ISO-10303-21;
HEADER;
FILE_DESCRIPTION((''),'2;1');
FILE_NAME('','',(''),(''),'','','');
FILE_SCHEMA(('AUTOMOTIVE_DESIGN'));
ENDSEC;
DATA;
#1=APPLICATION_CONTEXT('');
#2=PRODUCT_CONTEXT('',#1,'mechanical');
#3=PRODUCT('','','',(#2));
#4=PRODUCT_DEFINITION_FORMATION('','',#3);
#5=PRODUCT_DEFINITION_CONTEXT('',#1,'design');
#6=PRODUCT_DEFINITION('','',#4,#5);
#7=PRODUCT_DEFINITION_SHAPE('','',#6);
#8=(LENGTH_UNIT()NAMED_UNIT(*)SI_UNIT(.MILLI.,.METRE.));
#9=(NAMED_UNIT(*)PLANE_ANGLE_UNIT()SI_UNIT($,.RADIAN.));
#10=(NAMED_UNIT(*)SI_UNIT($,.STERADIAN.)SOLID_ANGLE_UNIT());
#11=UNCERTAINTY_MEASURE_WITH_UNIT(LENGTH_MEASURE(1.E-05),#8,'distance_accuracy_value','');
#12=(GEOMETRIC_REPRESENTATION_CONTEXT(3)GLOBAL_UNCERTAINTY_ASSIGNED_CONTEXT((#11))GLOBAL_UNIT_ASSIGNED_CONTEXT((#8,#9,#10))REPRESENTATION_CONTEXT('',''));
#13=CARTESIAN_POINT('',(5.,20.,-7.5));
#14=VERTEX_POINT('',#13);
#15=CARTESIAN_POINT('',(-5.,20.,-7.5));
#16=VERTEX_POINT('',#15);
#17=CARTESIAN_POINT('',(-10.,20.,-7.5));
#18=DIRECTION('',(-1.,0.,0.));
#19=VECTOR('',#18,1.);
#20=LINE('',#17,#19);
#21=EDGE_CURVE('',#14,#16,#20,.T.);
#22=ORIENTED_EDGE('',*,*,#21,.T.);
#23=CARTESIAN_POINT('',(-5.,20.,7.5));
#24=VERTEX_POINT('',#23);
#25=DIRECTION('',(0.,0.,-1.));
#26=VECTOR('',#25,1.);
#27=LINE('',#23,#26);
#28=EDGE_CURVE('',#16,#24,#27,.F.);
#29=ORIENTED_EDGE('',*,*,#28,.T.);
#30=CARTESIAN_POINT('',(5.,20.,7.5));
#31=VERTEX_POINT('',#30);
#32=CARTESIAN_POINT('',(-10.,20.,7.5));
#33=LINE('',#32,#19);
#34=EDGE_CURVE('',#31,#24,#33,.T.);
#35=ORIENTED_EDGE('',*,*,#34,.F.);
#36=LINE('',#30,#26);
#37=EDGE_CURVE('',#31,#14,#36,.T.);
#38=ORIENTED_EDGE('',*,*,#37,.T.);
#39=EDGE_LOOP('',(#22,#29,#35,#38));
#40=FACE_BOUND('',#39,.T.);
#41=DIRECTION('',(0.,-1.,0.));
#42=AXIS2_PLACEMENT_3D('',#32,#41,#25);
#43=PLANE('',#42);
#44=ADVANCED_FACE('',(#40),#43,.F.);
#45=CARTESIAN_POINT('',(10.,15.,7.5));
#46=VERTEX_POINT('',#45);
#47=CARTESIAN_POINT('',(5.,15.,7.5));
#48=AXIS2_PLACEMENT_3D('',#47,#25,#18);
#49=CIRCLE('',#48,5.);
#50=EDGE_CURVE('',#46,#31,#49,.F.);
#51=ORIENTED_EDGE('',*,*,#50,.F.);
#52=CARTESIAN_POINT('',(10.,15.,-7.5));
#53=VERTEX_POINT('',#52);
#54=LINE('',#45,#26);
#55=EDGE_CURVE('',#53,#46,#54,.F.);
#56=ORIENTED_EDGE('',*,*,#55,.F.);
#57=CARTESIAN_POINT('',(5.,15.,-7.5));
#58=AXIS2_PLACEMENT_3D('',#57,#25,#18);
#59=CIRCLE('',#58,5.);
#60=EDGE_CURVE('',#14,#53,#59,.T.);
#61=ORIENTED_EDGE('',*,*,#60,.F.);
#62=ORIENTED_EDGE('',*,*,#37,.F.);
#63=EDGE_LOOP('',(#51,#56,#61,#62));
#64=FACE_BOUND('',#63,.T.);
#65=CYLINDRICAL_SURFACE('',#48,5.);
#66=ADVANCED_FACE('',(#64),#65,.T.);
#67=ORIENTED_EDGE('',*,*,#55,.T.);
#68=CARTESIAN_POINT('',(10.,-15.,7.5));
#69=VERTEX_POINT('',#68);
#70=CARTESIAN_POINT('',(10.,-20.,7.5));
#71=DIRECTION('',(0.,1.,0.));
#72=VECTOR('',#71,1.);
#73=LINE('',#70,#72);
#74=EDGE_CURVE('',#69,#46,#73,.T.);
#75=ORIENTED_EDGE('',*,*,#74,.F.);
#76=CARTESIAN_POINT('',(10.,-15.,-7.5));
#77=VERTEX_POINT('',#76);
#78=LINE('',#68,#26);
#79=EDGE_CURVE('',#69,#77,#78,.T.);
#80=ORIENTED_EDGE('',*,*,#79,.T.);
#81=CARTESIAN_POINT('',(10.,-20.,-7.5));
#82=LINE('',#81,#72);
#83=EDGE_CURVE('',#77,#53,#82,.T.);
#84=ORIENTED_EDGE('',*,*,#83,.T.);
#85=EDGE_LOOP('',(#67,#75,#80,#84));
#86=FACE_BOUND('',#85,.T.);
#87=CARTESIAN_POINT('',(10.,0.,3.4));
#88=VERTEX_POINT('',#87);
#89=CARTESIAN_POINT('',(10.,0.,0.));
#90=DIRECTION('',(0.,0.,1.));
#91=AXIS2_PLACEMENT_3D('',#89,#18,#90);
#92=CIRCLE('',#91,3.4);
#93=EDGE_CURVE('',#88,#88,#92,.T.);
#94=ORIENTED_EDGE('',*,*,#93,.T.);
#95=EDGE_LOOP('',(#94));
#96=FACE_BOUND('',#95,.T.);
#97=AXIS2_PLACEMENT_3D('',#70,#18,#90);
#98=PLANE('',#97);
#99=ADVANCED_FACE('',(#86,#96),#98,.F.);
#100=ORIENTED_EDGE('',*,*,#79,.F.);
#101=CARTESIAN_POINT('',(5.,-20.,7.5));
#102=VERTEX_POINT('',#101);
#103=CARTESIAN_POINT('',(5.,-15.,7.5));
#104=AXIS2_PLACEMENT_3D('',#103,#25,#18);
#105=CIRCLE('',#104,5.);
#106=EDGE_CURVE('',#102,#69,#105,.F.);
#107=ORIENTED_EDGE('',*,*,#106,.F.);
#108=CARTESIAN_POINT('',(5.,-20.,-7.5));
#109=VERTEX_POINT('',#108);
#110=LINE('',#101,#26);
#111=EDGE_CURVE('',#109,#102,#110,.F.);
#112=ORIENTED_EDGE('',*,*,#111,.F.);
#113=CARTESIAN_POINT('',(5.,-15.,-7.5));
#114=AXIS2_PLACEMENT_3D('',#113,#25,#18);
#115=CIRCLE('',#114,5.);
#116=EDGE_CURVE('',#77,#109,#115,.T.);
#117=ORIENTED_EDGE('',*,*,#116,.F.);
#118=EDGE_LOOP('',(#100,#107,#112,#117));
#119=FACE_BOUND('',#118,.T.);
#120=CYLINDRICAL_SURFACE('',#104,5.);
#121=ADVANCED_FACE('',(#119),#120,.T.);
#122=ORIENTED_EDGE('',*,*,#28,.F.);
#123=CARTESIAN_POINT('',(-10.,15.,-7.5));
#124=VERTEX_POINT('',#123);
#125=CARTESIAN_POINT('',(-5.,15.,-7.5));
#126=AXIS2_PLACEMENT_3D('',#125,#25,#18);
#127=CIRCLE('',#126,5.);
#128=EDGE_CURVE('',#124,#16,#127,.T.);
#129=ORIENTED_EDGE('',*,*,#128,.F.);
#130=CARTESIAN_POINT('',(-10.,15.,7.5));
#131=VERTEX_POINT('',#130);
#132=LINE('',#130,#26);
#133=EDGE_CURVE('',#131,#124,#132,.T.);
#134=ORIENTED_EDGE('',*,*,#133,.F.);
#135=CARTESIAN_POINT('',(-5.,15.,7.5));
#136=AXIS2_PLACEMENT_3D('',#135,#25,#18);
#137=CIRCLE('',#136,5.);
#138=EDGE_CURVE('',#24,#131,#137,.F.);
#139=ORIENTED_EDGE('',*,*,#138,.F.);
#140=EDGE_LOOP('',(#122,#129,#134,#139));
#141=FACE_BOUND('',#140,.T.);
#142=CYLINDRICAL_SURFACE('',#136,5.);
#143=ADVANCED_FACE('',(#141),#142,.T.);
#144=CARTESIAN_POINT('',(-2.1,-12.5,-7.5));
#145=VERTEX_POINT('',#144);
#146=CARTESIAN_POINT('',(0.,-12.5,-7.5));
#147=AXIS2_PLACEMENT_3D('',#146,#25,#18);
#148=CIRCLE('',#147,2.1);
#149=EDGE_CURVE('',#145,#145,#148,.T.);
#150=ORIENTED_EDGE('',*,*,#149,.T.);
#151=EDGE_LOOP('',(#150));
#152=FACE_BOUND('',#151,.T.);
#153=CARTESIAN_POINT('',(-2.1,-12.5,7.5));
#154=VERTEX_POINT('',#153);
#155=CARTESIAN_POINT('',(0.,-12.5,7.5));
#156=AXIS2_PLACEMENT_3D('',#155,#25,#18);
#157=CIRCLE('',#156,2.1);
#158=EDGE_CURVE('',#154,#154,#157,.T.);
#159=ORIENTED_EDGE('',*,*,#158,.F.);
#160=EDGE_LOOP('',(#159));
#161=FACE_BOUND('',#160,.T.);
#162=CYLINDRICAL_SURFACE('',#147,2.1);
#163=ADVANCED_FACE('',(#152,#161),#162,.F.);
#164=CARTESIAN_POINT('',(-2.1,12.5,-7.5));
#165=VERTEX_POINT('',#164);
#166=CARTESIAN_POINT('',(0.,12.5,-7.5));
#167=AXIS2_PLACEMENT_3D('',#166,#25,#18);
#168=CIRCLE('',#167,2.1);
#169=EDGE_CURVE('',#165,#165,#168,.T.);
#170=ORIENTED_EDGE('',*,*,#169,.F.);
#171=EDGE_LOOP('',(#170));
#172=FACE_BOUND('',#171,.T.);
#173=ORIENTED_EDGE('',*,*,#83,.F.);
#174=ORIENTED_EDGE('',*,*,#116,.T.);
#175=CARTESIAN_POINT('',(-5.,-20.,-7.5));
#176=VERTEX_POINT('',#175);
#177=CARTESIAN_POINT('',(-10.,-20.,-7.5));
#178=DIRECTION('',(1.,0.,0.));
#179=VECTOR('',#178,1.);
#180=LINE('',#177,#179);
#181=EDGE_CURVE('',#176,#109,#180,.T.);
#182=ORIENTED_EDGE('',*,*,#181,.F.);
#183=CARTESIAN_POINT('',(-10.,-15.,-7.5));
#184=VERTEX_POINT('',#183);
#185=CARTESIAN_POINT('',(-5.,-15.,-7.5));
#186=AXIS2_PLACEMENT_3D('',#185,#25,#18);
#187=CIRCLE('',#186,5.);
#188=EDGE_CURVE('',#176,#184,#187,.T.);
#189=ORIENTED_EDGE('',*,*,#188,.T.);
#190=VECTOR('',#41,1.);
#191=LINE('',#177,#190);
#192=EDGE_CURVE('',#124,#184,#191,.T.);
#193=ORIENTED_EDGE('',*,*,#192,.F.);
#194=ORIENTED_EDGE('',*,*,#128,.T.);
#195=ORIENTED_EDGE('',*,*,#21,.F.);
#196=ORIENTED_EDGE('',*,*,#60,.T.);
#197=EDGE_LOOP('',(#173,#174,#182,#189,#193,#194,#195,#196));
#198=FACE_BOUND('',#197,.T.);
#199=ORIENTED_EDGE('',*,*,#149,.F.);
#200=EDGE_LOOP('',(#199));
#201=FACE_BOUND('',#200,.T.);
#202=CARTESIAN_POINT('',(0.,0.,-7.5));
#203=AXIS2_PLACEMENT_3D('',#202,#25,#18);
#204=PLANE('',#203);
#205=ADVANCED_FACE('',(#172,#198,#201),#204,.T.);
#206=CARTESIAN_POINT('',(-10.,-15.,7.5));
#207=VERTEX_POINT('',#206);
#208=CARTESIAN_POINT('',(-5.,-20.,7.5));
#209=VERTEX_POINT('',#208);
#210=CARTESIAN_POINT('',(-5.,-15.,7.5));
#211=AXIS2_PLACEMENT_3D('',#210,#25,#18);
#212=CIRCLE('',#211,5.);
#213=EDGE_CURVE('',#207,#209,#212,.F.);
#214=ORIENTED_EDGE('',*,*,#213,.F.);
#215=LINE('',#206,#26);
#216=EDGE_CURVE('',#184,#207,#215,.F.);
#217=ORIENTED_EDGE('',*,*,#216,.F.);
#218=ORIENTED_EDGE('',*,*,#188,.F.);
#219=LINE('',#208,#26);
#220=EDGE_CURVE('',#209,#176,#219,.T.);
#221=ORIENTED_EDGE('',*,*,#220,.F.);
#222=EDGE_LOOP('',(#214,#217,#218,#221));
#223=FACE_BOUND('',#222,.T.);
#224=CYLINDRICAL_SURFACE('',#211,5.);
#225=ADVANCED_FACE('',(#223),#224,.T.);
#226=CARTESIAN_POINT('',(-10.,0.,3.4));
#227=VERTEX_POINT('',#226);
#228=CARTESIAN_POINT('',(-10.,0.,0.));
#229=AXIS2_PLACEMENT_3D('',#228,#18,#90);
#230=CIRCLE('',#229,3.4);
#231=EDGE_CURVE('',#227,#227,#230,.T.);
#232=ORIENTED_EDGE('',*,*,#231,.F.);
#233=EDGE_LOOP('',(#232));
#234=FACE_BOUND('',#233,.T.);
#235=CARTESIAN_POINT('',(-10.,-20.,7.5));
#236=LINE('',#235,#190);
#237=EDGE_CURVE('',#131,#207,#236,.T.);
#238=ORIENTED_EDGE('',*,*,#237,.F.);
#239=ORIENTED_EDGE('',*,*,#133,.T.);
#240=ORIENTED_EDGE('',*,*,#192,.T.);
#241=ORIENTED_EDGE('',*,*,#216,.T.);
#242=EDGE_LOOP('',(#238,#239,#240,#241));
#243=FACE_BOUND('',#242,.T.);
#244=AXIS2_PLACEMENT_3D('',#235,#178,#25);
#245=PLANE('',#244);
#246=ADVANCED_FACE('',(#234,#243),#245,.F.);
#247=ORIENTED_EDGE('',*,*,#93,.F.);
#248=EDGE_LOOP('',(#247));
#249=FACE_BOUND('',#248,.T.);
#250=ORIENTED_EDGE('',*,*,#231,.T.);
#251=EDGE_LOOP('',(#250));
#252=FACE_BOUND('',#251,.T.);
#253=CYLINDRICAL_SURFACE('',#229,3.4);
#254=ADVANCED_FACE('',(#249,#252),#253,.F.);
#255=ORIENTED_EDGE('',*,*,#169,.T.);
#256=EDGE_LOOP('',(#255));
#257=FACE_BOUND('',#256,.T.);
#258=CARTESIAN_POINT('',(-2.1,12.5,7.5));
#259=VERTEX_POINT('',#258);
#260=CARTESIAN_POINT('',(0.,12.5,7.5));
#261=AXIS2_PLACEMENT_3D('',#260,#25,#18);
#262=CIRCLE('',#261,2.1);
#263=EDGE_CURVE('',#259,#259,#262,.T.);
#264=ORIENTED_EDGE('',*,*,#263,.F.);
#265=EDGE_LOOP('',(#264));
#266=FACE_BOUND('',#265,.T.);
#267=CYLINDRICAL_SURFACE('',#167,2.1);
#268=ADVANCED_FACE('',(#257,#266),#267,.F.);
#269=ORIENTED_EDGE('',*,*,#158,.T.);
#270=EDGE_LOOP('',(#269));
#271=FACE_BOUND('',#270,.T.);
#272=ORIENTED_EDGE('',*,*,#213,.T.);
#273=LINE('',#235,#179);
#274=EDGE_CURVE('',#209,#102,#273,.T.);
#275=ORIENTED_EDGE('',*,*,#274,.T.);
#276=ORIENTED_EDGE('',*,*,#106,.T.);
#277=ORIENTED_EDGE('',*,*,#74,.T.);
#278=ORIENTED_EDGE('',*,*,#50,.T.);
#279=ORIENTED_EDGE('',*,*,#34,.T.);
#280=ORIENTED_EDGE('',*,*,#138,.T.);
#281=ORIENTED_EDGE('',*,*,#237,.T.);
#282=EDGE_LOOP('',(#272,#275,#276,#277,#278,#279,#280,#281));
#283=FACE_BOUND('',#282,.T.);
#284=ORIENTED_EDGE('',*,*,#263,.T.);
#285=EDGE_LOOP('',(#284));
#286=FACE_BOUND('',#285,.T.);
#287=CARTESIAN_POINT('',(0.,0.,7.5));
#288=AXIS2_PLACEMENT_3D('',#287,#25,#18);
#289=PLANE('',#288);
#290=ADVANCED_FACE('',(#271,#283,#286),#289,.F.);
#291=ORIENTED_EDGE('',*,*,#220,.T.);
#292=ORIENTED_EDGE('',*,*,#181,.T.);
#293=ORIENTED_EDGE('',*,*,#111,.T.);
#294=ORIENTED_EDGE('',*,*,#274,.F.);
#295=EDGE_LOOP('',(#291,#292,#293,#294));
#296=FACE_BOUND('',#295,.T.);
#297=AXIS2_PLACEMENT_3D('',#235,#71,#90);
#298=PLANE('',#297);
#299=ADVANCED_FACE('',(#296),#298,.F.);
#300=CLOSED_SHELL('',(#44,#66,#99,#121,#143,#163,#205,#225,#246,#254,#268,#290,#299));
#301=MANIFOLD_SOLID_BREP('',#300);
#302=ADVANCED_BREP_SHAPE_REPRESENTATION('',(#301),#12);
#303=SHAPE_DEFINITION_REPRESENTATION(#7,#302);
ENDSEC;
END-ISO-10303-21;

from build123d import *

# Parameters (mm, degrees)
IZIM1_W                     = 20
IZIM1_H                     = 40
Y_KSEKLIK_EKSTR_ZYON1_DEPTH = 7.5
RADYUS1_R                   = 5
M5_DI_LI_DELIK1_D           = 4.2
M8_DI_LI_DELIK1_D           = 6.8


with BuildPart() as part:
    # Çizim1 → Yükseklik-Ekstrüzyon1 (new, symmetric)
    with BuildSketch(Plane.XY):
        Rectangle(IZIM1_W, IZIM1_H)
    extrude(amount=Y_KSEKLIK_EKSTR_ZYON1_DEPTH, both=True)

    # Radyus1
    radyus1_edges = [part.edges().sort_by_distance(p)[0] for p in [
        (10, -20, 0),
        (-10, -20, 0),
        (-10, 20, 0),
        (10, 20, 0),
    ]]
    fillet(radyus1_edges, radius=RADYUS1_R)

    # M5 Dişli Delik1 (through all)
    with Locations(Plane(origin=(0, 12.5, -7.5), x_dir=(-1, 0, 0), z_dir=(0, 0, -1))):
        with Locations((0, 0), (0, -25)):
            Hole(M5_DI_LI_DELIK1_D / 2)

    # M8 Dişli Delik1 (through all)
    with Locations(Plane.ZY.offset(10)):
        with Locations((0, 0)):
            Hole(M8_DI_LI_DELIK1_D / 2)


solid = part.part
